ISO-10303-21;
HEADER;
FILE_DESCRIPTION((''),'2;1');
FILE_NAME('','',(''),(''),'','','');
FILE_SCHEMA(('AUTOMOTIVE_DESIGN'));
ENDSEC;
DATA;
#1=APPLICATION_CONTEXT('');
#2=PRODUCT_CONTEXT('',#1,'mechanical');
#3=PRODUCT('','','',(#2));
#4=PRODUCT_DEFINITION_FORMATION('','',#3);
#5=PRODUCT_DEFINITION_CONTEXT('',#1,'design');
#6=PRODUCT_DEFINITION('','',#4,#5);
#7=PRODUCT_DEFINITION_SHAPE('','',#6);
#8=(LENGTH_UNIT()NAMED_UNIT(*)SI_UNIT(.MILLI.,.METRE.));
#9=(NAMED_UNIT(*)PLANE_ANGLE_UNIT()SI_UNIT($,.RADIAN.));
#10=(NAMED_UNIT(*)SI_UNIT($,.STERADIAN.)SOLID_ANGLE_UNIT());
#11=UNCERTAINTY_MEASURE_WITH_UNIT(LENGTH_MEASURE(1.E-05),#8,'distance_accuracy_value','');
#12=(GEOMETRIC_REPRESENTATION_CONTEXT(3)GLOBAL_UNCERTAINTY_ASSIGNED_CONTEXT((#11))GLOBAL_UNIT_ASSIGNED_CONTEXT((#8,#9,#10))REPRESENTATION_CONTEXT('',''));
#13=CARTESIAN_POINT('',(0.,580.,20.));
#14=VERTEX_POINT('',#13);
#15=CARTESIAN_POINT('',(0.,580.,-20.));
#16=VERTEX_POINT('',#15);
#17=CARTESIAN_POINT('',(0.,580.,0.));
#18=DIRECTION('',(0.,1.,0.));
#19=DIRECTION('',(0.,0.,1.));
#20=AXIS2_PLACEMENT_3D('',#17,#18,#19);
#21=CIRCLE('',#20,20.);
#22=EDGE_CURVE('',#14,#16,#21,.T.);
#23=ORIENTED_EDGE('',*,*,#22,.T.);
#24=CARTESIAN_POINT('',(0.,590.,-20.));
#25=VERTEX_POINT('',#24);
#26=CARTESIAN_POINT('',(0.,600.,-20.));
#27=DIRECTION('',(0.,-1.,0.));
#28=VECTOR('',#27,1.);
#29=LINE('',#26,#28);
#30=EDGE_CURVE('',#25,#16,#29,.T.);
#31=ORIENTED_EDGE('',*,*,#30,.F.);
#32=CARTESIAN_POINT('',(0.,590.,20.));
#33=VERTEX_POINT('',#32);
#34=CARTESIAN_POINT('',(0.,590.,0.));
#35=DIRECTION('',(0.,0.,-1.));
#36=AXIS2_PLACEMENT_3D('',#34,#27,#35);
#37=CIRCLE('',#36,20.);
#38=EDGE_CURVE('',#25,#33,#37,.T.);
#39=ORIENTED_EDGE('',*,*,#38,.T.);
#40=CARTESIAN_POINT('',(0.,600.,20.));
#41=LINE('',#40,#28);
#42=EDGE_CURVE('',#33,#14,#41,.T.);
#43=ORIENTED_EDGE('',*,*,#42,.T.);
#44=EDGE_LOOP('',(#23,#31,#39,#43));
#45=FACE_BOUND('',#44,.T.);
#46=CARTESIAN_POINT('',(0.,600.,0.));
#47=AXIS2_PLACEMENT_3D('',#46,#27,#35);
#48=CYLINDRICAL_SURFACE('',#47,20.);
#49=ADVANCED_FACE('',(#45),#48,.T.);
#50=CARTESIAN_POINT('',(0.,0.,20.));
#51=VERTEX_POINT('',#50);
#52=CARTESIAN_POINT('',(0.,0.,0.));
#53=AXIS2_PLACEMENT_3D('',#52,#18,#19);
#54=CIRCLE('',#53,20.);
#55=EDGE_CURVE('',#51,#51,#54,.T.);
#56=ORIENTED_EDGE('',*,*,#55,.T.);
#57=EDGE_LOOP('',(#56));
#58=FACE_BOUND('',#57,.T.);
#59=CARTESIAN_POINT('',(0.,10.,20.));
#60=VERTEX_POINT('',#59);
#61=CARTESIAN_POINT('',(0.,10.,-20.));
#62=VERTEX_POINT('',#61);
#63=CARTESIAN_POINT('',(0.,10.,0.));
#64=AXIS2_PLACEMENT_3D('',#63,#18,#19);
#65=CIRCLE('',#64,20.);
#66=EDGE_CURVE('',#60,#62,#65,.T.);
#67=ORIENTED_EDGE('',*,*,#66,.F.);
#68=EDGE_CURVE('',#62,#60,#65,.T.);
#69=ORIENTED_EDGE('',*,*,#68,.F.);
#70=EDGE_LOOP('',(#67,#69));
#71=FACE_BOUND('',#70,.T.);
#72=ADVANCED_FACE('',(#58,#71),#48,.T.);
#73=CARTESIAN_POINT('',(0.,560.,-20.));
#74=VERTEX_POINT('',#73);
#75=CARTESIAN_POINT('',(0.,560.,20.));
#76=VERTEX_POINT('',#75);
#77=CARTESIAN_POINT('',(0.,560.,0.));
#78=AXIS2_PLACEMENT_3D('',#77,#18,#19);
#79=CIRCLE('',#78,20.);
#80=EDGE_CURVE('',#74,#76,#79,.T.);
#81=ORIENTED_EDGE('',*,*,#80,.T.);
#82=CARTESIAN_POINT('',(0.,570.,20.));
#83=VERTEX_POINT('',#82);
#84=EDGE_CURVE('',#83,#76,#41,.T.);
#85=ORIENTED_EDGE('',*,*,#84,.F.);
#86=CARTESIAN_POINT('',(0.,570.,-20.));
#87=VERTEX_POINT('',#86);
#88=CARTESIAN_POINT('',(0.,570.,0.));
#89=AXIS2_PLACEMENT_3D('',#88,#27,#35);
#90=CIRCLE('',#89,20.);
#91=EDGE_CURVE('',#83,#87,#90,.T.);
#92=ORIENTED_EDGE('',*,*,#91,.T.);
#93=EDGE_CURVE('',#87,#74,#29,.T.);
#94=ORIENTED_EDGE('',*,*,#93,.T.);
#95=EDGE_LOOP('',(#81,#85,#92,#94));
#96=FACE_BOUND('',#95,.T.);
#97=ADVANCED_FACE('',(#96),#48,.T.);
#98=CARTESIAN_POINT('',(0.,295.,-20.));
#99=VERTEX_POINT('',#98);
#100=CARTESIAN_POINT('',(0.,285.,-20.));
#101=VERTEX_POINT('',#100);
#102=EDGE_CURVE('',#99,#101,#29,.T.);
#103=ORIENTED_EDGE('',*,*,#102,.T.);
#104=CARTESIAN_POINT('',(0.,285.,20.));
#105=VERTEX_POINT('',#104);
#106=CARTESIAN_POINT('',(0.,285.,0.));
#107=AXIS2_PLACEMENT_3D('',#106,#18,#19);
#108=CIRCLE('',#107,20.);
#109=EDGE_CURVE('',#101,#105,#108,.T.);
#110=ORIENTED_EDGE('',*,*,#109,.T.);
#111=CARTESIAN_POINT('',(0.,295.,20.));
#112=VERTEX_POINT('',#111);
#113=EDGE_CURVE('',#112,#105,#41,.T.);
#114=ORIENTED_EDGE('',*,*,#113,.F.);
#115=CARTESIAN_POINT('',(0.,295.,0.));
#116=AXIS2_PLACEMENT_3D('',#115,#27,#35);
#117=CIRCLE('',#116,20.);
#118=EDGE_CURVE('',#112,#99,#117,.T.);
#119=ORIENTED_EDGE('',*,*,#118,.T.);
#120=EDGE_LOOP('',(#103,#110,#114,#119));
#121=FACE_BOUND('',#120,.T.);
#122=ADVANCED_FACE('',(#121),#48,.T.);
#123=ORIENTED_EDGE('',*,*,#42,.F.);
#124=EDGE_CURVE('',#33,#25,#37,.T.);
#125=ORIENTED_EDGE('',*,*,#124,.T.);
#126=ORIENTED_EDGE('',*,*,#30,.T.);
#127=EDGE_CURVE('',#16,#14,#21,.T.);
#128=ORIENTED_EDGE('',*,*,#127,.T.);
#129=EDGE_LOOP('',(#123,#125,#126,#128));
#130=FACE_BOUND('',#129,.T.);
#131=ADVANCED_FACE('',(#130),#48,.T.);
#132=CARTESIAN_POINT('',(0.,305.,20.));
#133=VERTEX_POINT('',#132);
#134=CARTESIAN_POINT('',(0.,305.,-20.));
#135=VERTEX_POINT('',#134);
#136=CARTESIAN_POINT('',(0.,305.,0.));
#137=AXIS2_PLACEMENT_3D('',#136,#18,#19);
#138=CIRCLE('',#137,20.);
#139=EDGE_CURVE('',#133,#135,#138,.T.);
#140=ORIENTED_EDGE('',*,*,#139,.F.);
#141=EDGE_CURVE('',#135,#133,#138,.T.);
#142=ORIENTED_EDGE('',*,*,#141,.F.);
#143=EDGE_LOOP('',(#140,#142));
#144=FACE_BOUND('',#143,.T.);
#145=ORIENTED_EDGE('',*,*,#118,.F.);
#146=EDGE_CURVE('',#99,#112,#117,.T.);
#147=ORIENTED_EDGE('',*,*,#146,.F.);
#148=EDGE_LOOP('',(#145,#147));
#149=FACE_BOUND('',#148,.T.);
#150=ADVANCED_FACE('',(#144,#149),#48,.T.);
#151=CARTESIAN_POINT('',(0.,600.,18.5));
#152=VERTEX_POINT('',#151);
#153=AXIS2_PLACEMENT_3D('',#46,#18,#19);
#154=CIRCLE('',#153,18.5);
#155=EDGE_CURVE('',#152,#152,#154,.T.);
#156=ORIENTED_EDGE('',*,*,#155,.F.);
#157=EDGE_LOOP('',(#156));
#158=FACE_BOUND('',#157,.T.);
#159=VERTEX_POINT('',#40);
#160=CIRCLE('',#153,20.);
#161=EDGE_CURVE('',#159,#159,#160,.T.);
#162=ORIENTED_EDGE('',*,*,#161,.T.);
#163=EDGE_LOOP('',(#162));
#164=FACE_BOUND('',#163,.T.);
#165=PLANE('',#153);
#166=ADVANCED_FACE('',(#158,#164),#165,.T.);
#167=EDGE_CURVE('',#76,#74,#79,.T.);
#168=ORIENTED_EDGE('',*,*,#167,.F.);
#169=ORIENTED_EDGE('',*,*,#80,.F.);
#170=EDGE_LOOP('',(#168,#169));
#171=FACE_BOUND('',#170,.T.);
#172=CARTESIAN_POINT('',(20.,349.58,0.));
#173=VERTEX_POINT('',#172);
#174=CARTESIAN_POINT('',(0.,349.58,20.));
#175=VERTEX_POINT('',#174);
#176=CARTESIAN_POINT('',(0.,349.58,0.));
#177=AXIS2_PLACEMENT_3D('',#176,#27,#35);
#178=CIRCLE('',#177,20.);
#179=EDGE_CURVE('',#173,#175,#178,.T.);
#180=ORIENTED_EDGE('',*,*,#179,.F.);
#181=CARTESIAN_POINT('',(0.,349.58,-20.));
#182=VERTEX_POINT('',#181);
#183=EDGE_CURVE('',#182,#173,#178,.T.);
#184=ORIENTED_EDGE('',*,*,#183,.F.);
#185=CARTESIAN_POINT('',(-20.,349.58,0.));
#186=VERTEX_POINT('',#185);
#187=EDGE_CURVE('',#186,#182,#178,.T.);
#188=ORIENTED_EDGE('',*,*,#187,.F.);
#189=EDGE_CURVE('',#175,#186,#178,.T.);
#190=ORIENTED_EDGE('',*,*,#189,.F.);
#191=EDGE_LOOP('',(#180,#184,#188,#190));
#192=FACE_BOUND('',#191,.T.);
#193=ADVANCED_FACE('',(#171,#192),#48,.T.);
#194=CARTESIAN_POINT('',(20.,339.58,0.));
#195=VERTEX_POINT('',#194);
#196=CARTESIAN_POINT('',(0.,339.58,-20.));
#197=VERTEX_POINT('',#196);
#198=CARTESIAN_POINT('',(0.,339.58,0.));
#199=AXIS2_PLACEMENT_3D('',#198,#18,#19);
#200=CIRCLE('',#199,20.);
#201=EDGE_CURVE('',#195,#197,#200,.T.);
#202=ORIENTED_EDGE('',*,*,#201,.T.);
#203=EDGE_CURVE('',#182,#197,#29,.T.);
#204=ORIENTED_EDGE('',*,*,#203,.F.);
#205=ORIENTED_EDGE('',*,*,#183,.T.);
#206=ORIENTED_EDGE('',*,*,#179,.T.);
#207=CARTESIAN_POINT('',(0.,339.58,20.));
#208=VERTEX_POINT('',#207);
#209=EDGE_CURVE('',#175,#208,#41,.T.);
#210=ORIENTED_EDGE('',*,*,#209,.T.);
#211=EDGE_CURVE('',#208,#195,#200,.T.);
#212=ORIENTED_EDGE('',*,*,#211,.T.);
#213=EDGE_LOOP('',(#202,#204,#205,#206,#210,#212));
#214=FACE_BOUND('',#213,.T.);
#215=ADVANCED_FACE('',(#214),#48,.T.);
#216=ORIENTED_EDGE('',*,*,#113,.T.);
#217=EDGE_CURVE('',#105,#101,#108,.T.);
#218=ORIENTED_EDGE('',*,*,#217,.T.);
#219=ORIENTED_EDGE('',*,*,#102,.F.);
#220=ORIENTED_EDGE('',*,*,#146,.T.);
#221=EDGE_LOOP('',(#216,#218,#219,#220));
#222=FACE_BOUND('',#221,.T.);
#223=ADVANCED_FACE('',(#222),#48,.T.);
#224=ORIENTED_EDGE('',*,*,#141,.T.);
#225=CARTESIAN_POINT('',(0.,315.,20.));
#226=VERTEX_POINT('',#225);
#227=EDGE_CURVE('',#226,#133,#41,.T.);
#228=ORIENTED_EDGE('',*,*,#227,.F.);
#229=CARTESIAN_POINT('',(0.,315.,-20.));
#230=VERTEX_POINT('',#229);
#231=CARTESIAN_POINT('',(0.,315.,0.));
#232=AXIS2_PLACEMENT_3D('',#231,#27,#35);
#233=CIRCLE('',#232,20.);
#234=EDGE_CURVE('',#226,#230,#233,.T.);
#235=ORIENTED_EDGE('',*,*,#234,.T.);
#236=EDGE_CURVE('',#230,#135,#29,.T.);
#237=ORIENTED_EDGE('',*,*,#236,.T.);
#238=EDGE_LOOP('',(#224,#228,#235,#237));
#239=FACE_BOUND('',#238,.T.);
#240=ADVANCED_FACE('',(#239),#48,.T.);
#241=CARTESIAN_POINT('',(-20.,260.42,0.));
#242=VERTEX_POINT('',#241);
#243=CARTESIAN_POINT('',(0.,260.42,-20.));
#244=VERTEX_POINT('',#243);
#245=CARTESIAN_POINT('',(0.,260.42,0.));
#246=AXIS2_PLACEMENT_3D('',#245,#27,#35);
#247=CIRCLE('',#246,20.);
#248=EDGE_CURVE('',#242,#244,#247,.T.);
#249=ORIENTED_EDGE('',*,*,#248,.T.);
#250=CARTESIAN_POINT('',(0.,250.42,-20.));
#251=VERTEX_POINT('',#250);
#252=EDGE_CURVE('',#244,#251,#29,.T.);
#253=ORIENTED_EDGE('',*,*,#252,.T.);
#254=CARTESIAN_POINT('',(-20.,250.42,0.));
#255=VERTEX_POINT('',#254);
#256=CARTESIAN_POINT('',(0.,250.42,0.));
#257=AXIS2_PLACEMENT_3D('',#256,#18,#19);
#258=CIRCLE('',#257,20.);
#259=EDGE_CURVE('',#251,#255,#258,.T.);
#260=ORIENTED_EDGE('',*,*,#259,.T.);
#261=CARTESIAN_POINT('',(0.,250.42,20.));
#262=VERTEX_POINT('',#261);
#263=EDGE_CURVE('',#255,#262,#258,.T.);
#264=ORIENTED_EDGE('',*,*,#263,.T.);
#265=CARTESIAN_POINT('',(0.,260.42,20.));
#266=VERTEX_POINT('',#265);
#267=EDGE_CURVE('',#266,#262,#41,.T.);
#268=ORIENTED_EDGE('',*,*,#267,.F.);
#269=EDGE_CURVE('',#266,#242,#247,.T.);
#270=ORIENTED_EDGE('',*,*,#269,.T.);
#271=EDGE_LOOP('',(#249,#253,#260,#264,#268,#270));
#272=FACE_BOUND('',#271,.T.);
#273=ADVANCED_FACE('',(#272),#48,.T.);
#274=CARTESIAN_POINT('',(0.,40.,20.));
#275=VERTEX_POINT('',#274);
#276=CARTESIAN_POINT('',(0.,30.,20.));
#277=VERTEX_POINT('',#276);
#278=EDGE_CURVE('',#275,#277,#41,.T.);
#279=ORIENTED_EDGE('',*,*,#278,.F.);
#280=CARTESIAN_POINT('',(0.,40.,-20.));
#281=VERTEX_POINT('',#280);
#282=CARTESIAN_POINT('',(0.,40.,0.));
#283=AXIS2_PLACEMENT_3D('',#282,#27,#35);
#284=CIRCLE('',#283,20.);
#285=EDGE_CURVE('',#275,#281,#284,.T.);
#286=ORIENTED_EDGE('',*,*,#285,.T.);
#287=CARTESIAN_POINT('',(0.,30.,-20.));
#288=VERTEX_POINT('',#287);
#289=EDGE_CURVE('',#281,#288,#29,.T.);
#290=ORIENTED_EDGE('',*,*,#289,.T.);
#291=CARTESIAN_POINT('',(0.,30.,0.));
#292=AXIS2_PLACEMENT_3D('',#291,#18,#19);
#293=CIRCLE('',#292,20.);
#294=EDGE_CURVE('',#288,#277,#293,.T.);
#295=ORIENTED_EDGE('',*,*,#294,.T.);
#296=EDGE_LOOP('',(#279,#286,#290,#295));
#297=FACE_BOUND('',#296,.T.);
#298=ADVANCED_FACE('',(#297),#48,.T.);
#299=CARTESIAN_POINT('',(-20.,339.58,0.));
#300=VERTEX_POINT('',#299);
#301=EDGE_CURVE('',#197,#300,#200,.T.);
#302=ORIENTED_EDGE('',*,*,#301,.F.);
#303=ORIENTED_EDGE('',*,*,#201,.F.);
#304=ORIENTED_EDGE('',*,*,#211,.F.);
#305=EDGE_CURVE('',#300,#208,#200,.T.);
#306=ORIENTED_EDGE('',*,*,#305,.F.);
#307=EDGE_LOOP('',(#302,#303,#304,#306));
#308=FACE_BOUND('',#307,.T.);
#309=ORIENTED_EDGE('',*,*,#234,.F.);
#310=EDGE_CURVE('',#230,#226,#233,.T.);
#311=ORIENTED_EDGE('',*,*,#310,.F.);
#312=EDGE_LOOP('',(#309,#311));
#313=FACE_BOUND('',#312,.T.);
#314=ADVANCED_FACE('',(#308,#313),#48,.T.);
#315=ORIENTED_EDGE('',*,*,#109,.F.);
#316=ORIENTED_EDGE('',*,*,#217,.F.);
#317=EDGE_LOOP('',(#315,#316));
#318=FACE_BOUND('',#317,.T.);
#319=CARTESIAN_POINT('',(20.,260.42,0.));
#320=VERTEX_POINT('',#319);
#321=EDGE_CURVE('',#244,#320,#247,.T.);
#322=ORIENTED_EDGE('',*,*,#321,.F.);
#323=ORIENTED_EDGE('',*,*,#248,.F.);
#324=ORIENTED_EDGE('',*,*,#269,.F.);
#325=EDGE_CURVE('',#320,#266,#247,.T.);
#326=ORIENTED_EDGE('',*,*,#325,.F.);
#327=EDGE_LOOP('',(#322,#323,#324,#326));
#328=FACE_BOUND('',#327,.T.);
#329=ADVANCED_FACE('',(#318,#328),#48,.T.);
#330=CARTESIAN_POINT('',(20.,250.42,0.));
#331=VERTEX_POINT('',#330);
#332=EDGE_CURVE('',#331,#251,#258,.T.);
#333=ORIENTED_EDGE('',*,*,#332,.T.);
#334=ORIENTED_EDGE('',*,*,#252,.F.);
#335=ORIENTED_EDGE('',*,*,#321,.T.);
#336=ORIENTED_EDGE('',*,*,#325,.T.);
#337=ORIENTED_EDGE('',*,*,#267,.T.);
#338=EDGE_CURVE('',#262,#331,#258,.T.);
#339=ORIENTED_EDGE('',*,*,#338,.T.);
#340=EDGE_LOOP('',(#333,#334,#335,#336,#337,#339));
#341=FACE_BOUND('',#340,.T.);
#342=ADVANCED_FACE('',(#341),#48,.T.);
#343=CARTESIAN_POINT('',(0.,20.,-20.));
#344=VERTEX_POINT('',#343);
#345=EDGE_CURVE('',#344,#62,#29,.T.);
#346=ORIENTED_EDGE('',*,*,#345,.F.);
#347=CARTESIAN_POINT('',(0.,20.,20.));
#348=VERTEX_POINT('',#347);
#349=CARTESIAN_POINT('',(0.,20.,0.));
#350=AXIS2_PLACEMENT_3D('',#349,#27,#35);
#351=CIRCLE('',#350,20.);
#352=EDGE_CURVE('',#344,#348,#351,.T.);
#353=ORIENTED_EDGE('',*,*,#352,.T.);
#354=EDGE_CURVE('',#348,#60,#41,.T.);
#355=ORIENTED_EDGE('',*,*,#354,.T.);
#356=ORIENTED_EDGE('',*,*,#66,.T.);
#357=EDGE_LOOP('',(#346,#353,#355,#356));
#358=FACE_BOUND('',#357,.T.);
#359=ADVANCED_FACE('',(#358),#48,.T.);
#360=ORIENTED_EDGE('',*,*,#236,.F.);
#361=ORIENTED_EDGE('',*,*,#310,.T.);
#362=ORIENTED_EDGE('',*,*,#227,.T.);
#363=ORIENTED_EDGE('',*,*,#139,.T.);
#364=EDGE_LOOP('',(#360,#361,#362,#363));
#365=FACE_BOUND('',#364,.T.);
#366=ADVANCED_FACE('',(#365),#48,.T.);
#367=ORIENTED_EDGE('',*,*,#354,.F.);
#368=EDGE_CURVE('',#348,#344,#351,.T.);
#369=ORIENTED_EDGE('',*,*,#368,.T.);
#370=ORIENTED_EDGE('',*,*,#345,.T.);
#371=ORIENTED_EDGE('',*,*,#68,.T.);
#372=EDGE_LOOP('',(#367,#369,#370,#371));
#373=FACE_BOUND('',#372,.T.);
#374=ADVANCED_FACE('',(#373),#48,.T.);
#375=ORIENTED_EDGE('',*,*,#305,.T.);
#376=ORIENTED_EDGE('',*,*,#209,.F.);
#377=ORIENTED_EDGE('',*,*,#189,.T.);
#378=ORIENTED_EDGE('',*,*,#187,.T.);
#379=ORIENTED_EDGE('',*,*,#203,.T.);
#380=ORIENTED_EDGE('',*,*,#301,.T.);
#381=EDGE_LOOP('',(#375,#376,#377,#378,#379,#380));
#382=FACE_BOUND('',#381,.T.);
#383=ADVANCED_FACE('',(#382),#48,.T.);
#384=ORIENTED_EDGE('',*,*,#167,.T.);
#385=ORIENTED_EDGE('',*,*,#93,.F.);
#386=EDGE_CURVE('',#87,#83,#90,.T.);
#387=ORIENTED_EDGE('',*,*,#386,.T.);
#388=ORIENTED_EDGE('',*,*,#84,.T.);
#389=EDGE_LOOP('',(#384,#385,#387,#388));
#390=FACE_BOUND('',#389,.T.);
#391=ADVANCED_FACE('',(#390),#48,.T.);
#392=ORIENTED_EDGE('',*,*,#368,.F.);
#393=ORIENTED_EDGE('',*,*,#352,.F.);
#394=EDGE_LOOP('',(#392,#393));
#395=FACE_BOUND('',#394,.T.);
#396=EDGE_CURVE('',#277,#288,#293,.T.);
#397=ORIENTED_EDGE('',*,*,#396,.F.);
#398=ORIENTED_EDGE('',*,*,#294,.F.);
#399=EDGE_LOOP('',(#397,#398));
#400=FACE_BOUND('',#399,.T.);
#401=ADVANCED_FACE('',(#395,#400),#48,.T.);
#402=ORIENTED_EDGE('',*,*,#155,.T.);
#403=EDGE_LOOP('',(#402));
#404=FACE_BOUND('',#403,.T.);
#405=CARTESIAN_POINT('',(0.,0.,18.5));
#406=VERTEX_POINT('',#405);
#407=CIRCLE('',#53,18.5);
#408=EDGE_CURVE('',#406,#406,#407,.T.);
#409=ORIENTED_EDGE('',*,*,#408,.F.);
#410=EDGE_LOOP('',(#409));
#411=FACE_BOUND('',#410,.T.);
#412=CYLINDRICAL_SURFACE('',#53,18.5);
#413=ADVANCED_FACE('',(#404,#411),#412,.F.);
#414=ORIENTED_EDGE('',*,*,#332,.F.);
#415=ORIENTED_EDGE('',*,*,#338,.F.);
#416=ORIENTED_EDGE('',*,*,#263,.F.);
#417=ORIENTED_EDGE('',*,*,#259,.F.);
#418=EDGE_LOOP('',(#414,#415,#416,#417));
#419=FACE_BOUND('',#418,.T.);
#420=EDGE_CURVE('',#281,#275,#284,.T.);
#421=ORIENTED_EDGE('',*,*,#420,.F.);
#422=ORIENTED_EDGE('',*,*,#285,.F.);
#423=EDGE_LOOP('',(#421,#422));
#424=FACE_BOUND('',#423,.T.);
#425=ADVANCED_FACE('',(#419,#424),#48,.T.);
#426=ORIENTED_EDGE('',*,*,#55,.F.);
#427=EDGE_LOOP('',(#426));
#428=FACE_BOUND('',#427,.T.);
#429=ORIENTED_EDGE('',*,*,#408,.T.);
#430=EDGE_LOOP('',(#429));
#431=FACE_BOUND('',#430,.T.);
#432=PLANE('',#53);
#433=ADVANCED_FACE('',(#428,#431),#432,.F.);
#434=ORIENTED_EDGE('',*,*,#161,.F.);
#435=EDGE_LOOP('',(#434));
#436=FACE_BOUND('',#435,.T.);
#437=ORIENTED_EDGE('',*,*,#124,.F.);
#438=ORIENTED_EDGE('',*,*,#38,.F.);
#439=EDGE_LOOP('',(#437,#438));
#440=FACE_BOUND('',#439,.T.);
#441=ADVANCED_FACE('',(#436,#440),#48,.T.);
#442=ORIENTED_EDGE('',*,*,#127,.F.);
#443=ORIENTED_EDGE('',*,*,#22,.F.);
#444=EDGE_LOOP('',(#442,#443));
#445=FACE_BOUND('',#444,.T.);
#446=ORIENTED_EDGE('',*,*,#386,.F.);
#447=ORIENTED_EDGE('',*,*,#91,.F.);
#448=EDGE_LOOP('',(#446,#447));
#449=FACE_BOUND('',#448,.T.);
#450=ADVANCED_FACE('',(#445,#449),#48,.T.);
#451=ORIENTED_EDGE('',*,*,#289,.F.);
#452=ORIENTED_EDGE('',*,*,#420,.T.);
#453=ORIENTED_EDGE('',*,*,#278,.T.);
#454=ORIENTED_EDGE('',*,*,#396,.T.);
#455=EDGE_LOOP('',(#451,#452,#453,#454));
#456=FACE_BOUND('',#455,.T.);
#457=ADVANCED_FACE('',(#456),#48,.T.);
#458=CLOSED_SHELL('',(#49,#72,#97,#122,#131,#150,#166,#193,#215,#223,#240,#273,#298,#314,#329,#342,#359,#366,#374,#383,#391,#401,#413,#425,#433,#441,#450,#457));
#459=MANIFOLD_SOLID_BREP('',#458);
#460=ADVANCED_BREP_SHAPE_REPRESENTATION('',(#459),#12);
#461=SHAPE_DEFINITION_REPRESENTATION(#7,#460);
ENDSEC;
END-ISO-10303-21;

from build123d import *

# Parameters (mm, degrees)
SKETCH1_R           = 20
BOSS_EXTRUDE1_DEPTH = 600
SKETCH5_R           = 18.5
CUT_EXTRUDE1_DEPTH  = 600


with BuildPart() as part:
    # Sketch1 → Boss-Extrude1 (new body)
    with BuildSketch(Plane(origin=(0, 0, 0), x_dir=(1, 0, 0), z_dir=(0, 1, 0))):
        with Locations(Location((0, 0, 0), (0, 0, 270))):
            Circle(SKETCH1_R)
    extrude(amount=BOSS_EXTRUDE1_DEPTH)

    # Sketch5 → Cut-Extrude1 (cut)
    with BuildSketch(Plane(origin=(0, 600, 0), x_dir=(1, 0, 0), z_dir=(0, 1, 0))):
        with Locations(Location((0, 0, 0), (0, 0, 270))):
            Circle(SKETCH5_R)
    extrude(amount=-CUT_EXTRUDE1_DEPTH, mode=Mode.SUBTRACT)


solid = part.part
